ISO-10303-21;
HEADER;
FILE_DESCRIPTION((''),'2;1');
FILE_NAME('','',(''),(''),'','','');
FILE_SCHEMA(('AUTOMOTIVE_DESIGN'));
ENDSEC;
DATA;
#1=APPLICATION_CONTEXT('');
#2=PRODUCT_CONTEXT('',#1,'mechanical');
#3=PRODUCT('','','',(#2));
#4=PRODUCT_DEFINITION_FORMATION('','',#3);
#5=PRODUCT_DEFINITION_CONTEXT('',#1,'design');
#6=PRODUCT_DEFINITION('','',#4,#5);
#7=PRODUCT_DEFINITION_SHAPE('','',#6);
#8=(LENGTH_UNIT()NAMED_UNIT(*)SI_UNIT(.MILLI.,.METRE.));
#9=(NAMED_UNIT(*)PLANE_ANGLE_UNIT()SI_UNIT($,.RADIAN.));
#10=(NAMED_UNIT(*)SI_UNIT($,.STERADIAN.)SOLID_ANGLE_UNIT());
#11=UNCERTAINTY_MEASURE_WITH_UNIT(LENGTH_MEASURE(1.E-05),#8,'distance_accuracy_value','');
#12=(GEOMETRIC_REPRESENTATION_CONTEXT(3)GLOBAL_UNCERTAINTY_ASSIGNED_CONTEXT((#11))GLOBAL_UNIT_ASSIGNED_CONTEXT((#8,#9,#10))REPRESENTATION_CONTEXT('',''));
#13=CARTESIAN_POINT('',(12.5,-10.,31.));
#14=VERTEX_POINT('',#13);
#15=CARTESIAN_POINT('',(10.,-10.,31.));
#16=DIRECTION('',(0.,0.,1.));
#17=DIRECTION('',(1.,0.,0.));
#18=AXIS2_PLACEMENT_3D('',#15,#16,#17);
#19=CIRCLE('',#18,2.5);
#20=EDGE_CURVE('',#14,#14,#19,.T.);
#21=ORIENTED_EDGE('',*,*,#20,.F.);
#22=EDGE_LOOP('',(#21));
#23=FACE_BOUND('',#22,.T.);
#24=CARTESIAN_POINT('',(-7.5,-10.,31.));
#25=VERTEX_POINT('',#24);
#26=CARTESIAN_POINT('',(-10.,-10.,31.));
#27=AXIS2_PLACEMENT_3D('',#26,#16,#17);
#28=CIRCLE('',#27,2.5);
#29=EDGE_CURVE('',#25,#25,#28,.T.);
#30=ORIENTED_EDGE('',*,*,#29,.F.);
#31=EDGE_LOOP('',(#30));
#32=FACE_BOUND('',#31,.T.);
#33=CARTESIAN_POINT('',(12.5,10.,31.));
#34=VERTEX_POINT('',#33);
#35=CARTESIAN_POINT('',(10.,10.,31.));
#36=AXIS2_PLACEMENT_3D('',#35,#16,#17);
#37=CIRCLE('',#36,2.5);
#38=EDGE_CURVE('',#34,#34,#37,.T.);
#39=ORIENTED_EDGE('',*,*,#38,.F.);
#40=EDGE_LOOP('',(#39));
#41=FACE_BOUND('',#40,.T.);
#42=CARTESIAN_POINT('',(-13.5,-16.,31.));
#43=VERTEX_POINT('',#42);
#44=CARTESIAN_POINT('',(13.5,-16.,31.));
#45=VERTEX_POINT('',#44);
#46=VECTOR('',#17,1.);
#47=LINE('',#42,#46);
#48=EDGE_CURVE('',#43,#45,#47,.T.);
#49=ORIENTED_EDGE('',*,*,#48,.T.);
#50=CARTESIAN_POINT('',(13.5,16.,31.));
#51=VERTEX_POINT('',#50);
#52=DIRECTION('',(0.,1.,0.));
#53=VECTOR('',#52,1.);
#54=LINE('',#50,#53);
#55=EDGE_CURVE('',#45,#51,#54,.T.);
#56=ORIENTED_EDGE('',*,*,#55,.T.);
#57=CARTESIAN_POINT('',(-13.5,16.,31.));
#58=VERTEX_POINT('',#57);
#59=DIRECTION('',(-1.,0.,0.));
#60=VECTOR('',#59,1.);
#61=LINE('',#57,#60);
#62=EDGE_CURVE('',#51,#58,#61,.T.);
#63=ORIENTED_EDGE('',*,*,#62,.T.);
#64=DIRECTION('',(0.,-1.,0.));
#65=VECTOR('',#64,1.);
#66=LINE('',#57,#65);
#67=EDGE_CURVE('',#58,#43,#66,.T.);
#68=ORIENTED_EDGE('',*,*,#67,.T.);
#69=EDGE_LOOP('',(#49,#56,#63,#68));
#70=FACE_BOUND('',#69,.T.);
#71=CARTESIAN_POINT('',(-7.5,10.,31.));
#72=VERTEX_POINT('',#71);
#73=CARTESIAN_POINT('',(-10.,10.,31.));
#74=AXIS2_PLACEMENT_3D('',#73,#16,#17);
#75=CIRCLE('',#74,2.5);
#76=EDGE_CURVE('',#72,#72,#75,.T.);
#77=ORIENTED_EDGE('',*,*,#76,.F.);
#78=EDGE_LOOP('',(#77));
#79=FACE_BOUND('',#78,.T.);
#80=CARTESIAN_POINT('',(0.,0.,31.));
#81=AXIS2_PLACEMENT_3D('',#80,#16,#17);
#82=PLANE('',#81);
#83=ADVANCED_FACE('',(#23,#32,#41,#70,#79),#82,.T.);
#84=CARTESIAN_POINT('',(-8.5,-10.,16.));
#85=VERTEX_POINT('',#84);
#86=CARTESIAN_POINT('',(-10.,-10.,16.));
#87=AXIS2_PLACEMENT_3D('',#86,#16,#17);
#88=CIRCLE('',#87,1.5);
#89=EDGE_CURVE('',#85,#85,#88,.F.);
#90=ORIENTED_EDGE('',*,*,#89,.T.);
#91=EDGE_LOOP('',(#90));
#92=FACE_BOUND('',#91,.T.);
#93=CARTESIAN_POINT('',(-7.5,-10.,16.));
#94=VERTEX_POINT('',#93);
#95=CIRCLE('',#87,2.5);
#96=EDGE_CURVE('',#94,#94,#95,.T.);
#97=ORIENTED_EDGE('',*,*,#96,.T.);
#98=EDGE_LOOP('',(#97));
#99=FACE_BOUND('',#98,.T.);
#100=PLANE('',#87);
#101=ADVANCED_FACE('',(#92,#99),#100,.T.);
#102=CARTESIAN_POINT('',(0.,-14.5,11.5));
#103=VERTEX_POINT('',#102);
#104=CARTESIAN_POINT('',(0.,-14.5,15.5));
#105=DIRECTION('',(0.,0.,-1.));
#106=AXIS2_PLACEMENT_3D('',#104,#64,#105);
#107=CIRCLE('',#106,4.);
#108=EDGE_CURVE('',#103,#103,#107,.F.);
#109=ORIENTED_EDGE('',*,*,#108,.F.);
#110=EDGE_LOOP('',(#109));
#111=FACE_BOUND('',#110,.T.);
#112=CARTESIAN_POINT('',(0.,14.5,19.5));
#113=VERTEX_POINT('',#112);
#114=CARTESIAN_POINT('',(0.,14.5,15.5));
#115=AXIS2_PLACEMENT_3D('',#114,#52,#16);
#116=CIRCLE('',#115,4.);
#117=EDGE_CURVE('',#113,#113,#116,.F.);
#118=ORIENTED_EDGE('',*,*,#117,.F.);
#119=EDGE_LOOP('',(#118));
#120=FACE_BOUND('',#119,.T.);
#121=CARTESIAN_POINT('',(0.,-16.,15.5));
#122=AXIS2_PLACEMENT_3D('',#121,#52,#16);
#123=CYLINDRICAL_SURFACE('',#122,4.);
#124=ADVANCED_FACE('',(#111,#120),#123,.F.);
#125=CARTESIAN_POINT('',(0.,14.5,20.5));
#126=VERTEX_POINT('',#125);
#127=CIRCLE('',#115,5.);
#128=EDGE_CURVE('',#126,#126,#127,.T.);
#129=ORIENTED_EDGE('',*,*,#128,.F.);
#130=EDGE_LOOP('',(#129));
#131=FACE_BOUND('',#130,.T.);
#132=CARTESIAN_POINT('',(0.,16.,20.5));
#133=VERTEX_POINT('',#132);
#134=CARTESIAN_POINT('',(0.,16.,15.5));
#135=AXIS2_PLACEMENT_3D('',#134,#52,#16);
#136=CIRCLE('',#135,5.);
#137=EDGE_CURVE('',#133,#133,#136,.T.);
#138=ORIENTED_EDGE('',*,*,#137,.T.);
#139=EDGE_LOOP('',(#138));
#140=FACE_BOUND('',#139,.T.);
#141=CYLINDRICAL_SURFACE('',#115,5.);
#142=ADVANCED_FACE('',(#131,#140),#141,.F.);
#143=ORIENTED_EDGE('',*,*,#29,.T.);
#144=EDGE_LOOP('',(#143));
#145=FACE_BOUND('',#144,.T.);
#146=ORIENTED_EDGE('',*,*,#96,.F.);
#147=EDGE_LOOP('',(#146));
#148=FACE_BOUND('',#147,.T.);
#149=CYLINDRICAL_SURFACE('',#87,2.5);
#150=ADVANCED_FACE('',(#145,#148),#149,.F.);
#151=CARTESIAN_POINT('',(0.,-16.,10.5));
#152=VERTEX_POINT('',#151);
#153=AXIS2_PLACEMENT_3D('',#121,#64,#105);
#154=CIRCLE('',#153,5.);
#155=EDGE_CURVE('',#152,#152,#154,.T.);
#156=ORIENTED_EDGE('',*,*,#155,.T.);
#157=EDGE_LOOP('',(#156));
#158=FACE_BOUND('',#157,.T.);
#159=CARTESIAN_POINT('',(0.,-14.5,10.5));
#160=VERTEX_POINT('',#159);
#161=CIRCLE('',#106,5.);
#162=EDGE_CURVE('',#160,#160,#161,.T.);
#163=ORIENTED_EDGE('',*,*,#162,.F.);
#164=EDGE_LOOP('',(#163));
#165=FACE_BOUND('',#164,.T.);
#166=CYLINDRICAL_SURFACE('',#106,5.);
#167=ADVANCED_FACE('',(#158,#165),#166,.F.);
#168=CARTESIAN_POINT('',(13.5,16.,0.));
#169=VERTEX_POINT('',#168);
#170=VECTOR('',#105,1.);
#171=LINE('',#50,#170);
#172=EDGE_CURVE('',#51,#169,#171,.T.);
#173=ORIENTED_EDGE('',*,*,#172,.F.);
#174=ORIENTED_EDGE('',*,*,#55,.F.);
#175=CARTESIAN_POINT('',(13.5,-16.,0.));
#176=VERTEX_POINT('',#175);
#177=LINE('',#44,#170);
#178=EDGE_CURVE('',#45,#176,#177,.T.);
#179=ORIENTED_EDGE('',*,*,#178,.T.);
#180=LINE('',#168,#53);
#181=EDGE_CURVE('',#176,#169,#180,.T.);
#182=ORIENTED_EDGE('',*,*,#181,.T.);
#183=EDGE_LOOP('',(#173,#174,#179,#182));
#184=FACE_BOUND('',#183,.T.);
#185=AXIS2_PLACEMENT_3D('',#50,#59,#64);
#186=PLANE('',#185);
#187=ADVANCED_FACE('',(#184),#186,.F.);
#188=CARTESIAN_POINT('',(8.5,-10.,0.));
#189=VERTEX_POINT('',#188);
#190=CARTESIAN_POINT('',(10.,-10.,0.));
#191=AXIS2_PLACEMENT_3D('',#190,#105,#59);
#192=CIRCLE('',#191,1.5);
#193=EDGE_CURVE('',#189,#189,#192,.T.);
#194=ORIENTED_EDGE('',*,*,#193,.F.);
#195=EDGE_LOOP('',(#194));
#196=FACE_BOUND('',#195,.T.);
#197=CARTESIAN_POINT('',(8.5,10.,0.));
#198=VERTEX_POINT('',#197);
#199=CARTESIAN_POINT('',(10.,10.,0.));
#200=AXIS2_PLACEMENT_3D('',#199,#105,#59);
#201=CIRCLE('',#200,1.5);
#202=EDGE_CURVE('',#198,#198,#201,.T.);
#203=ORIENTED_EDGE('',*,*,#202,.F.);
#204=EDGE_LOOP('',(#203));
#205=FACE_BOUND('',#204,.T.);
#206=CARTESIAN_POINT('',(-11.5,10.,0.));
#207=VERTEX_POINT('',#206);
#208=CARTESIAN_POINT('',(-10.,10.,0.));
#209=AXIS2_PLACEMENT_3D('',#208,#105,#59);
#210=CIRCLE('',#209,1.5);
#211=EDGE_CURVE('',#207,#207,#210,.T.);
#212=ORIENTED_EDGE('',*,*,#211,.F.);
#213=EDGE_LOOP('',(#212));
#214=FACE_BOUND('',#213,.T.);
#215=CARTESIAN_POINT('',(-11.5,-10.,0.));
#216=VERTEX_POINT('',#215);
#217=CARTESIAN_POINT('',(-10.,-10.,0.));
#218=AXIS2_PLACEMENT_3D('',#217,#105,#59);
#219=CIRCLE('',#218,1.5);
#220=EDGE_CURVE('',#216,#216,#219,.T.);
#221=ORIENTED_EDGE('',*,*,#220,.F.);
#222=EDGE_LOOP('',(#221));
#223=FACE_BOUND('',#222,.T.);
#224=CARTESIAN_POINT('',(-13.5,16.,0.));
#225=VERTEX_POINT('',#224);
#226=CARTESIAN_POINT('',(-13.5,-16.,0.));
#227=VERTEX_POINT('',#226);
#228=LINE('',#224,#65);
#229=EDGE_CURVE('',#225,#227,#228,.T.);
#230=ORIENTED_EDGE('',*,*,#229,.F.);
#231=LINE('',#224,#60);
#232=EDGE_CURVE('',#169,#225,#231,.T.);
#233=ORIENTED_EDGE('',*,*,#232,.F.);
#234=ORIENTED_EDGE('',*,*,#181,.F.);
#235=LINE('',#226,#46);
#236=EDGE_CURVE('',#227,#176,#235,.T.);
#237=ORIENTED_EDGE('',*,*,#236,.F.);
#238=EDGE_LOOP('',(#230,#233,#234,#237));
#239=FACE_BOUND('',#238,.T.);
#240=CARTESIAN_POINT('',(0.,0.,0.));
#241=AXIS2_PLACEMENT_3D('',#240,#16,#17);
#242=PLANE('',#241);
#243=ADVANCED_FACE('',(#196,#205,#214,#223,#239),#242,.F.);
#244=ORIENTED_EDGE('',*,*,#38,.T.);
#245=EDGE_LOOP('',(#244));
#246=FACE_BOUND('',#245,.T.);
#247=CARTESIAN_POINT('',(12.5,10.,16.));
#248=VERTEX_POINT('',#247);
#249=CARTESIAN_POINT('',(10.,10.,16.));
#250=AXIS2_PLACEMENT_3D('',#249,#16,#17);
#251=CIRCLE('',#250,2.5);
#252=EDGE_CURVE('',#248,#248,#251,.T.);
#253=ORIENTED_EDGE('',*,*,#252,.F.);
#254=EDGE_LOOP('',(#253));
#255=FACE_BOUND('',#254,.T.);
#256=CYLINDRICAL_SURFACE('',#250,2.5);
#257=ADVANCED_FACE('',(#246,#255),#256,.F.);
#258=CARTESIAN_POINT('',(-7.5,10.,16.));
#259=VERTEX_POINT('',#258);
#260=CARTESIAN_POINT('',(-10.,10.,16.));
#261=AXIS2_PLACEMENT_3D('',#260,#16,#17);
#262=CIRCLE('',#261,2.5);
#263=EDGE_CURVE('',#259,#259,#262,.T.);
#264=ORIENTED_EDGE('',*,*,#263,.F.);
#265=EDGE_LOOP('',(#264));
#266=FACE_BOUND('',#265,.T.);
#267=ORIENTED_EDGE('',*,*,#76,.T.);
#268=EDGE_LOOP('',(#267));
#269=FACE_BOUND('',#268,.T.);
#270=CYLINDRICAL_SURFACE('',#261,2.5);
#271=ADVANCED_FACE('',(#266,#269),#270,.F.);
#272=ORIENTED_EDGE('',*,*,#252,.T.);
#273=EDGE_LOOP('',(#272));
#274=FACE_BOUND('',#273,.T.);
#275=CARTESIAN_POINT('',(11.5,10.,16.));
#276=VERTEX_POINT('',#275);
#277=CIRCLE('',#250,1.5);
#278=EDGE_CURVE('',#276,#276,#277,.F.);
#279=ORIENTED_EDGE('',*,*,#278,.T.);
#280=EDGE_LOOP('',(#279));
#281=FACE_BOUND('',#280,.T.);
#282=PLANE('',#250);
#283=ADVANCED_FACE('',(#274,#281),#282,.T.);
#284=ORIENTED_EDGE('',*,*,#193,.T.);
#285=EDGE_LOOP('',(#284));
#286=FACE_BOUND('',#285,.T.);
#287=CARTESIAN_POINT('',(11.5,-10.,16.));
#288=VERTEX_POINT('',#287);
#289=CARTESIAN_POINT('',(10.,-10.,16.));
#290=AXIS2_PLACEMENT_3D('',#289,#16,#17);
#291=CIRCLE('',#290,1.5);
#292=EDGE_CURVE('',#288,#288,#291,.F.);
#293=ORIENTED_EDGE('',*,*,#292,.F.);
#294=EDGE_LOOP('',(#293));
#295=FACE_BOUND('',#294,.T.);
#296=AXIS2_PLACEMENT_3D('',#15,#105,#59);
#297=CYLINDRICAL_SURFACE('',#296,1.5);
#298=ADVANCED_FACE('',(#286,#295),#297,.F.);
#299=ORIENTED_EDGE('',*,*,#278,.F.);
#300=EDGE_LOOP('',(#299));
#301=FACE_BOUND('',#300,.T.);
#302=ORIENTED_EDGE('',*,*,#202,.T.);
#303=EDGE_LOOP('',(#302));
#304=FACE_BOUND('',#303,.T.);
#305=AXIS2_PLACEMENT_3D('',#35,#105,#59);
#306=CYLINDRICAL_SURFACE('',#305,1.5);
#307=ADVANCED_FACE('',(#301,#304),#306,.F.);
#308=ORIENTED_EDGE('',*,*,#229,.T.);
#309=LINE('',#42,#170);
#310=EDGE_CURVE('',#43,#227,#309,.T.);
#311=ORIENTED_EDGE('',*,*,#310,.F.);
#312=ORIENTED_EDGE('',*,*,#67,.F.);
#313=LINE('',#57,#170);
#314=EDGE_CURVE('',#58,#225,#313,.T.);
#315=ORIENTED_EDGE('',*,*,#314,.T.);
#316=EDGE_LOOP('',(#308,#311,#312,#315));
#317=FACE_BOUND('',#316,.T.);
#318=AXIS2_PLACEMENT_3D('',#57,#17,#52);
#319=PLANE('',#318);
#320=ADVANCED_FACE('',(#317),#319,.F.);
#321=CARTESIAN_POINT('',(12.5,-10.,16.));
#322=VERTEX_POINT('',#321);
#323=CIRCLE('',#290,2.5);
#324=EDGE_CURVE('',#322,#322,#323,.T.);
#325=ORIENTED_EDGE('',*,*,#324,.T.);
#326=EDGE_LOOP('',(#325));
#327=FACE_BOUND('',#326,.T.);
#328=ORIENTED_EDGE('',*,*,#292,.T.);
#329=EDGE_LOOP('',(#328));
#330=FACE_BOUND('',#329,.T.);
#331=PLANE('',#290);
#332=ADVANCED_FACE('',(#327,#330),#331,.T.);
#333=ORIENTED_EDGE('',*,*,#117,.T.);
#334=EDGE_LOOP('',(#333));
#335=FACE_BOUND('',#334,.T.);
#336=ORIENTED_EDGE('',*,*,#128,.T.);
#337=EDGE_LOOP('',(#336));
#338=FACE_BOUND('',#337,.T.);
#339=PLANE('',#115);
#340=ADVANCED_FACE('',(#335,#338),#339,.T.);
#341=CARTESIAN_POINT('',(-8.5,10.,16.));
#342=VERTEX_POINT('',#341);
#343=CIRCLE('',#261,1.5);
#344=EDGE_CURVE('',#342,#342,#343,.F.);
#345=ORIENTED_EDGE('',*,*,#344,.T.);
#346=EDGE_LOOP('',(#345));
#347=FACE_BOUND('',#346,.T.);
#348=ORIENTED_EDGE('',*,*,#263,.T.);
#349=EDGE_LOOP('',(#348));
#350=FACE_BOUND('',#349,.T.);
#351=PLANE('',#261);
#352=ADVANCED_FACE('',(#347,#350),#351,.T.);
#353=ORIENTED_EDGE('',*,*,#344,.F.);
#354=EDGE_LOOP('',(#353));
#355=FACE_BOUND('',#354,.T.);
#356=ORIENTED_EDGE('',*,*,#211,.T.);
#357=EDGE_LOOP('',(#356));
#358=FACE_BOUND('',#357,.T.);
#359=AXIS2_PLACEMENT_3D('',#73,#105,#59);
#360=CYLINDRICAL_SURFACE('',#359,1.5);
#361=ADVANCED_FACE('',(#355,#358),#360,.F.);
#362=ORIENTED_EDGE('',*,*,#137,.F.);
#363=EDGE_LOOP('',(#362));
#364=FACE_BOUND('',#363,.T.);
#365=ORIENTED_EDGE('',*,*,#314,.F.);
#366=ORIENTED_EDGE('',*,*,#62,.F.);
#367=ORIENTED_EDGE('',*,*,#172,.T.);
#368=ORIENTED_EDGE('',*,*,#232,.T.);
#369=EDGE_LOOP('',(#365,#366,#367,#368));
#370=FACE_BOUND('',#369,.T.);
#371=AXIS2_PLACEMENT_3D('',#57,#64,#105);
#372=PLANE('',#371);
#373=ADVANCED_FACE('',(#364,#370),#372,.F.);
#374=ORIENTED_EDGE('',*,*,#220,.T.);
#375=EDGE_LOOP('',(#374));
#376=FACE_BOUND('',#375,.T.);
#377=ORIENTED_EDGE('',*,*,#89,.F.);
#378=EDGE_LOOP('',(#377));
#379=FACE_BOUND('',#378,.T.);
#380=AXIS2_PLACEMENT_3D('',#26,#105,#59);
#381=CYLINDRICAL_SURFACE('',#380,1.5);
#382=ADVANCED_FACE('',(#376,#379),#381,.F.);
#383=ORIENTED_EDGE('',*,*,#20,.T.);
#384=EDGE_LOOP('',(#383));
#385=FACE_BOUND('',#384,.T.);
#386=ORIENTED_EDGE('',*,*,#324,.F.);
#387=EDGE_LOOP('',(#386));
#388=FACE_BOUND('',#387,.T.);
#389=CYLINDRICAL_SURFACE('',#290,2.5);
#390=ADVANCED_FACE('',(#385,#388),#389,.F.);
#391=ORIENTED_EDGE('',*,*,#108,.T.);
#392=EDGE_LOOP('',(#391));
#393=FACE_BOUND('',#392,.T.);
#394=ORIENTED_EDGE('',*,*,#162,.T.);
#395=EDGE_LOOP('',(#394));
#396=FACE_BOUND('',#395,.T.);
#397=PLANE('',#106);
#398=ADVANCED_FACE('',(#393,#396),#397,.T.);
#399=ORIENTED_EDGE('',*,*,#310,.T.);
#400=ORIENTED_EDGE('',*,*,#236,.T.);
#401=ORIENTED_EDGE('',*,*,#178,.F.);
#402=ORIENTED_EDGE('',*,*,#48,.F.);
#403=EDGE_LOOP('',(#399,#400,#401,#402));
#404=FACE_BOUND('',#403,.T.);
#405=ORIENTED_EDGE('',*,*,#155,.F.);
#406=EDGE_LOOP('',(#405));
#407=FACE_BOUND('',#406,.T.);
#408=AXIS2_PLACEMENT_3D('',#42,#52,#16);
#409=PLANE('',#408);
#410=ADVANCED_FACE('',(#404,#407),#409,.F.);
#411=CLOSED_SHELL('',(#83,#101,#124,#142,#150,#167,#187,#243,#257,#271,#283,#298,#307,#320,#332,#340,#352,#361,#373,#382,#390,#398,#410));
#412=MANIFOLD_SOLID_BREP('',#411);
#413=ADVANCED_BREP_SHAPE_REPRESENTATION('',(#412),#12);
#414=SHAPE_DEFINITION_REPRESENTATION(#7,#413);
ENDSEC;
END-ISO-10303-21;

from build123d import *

# Parameters (mm, degrees)
SCHIZZO1_W                   = 27
SCHIZZO1_H                   = 32
ESTRUSIONE_ESTRUSIONE1_DEPTH = 31
SCHIZZO2_R                   = 1.5
TAGLIO_ESTRUSIONE1_DEPTH     = 32
SCHIZZO3_R                   = 4
TAGLIO_ESTRUSIONE2_DEPTH     = 33
SCHIZZO4_R                   = 5
TAGLIO_ESTRUSIONE5_DEPTH     = 1.5
SCHIZZO5_R                   = 5
TAGLIO_ESTRUSIONE6_DEPTH     = 1.5
SCHIZZO6_R                   = 2.5
TAGLIO_ESTRUSIONE7_DEPTH     = 15


with BuildPart() as part:
    # Schizzo1 → Estrusione-Estrusione1 (new body)
    with BuildSketch(Plane.XY):
        Rectangle(SCHIZZO1_W, SCHIZZO1_H)
    extrude(amount=ESTRUSIONE_ESTRUSIONE1_DEPTH)

    # Schizzo2 → Taglio-Estrusione1 (cut, through all)
    with BuildSketch(Plane(origin=(0, 0, 0), x_dir=(-1, 0, 0), z_dir=(0, 0, -1))):
        with Locations((-10, 10)):
            Circle(SCHIZZO2_R)
        with Locations((10, 10)):
            Circle(SCHIZZO2_R)
        with Locations((10, -10)):
            Circle(SCHIZZO2_R)
        with Locations((-10, -10)):
            Circle(SCHIZZO2_R)
    extrude(amount=-TAGLIO_ESTRUSIONE1_DEPTH, mode=Mode.SUBTRACT)

    # Schizzo3 → Taglio-Estrusione2 (cut, through all)
    with BuildSketch(Plane(origin=(0, 16, 0), x_dir=(1, 0, 0), z_dir=(0, 1, 0))):
        with Locations((0, -15.5)):
            Circle(SCHIZZO3_R)
    extrude(amount=-TAGLIO_ESTRUSIONE2_DEPTH, mode=Mode.SUBTRACT)

    # Schizzo4 → Taglio-Estrusione5 (cut)
    with BuildSketch(Plane(origin=(0, 16, 0), x_dir=(1, 0, 0), z_dir=(0, 1, 0))):
        with Locations((0, -15.5)):
            Circle(SCHIZZO4_R)
    extrude(amount=-TAGLIO_ESTRUSIONE5_DEPTH, mode=Mode.SUBTRACT)

    # Schizzo5 → Taglio-Estrusione6 (cut)
    with BuildSketch(Plane.XZ.offset(16)):
        with Locations((0, 15.5)):
            Circle(SCHIZZO5_R)
    extrude(amount=-TAGLIO_ESTRUSIONE6_DEPTH, mode=Mode.SUBTRACT)

    # Schizzo6 → Taglio-Estrusione7 (cut)
    with BuildSketch(Plane.XY.offset(31)):
        with Locations((-10, 10)):
            Circle(SCHIZZO6_R)
        with Locations((10, 10)):
            Circle(SCHIZZO6_R)
        with Locations((10, -10)):
            Circle(SCHIZZO6_R)
        with Locations((-10, -10)):
            Circle(SCHIZZO6_R)
    extrude(amount=-TAGLIO_ESTRUSIONE7_DEPTH, mode=Mode.SUBTRACT)


solid = part.part
